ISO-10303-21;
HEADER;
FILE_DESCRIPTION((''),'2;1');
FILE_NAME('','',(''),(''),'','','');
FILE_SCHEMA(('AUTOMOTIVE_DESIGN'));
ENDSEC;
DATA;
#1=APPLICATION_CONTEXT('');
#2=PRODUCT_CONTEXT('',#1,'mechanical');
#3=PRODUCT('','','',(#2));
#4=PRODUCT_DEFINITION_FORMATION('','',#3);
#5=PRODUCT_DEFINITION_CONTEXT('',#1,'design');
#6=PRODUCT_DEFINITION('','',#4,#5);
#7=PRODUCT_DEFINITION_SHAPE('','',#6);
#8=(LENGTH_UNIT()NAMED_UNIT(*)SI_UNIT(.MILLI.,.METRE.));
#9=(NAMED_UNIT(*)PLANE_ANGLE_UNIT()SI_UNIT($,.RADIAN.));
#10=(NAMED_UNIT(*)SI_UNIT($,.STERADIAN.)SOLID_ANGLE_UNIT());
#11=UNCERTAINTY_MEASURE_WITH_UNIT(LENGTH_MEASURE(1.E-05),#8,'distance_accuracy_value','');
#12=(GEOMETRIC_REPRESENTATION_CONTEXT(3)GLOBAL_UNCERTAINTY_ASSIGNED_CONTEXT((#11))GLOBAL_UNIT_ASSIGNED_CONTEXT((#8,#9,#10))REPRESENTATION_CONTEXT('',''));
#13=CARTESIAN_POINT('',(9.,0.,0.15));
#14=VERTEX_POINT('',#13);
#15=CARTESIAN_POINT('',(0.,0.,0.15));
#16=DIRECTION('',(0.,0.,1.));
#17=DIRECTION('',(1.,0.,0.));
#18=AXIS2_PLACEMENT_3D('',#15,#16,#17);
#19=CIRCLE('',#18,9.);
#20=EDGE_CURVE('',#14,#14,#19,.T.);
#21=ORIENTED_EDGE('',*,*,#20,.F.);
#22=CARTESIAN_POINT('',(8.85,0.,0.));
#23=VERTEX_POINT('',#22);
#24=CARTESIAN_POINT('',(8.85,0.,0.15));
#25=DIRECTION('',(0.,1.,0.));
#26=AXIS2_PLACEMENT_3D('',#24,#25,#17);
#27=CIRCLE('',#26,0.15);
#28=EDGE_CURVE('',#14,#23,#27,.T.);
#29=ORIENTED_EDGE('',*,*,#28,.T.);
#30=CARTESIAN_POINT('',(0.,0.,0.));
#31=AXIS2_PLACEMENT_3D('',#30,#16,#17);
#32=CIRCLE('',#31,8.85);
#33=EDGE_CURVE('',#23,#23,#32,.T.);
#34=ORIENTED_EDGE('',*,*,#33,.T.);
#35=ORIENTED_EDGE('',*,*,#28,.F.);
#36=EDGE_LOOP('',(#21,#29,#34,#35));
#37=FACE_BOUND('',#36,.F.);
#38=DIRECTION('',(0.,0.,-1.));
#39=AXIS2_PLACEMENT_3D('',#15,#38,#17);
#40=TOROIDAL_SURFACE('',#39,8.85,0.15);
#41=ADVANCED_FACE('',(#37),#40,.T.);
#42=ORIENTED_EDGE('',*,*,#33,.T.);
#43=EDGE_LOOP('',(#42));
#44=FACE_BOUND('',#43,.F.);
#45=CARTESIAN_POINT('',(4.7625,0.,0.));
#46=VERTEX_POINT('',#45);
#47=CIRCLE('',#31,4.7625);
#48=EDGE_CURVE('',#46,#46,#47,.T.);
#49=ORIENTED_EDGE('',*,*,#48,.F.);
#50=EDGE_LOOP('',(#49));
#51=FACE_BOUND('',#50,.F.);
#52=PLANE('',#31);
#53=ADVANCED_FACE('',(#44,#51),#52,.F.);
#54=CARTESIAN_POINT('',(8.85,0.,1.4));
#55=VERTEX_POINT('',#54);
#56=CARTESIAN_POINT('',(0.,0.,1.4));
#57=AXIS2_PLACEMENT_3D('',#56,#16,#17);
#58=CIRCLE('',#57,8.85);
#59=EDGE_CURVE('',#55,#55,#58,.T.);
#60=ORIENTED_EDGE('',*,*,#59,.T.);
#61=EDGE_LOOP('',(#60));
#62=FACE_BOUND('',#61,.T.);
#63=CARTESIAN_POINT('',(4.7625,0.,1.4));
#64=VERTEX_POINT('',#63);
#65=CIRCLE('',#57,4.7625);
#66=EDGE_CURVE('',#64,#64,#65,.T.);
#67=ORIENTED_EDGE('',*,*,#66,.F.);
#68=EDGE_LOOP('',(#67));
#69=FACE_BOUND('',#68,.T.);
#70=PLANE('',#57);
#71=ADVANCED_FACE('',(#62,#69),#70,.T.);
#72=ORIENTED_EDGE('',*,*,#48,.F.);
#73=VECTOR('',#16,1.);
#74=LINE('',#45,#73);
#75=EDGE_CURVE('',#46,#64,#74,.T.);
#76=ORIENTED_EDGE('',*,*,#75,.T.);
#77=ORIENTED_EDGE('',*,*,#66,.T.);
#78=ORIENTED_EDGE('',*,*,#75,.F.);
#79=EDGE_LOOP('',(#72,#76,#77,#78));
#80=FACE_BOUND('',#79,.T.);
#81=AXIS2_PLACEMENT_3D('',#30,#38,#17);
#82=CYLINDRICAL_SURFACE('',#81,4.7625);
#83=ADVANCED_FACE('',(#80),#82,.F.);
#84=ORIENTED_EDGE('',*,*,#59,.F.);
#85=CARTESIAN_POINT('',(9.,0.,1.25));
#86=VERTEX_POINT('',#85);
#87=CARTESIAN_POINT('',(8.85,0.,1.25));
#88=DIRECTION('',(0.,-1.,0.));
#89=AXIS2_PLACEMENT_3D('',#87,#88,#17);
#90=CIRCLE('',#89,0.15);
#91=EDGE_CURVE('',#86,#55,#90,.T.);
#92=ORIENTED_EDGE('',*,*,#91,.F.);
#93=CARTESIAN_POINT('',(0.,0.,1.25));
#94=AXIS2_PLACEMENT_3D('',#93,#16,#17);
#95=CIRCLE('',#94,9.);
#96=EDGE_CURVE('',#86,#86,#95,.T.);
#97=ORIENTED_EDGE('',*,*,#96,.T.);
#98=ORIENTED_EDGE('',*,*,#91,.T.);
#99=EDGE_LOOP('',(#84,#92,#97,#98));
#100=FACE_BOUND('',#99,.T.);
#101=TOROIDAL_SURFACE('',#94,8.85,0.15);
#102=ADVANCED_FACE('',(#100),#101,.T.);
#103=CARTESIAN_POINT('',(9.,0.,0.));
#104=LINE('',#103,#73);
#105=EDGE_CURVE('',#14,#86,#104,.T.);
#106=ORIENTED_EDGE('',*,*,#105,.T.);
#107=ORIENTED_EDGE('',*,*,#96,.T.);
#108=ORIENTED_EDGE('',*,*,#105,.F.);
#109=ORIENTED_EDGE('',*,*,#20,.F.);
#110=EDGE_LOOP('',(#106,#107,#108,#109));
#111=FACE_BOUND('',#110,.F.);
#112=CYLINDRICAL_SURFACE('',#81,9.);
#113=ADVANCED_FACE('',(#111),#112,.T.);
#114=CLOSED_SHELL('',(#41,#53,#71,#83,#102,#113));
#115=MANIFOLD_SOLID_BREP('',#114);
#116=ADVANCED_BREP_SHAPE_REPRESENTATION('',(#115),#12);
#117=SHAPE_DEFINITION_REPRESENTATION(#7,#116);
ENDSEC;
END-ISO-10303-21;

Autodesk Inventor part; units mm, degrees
ref_plane "YZ Plane" through (0, 0, 0) normal (1, 0, 0) x (0, 1, 0)
ref_plane "XZ Plane" through (0, 0, 0) normal (0, 1, 0) x (-1, 0, 0)
ref_plane "XY Plane" through (0, 0, 0) normal (0, 0, 1) x (1, 0, 0)
sketch "Sketch1" plane through (0, 0, 0) normal (0, 0, 1) x (1, 0, 0)
  circle A0 centre (0, 0) radius 9
  circle A1 centre (0, 0) radius 4.7625
  dimension "d0" = 18
  dimension "d1" = 9.525
extrude "Extrusion1" add sketch "Sketch1" along normal blind 1.4
fillet "Fillet1" radius 0.15 2 edges at (-9, 0, 0) (-9, 0, 1.4)
properties part number "InputJack_partition1"
